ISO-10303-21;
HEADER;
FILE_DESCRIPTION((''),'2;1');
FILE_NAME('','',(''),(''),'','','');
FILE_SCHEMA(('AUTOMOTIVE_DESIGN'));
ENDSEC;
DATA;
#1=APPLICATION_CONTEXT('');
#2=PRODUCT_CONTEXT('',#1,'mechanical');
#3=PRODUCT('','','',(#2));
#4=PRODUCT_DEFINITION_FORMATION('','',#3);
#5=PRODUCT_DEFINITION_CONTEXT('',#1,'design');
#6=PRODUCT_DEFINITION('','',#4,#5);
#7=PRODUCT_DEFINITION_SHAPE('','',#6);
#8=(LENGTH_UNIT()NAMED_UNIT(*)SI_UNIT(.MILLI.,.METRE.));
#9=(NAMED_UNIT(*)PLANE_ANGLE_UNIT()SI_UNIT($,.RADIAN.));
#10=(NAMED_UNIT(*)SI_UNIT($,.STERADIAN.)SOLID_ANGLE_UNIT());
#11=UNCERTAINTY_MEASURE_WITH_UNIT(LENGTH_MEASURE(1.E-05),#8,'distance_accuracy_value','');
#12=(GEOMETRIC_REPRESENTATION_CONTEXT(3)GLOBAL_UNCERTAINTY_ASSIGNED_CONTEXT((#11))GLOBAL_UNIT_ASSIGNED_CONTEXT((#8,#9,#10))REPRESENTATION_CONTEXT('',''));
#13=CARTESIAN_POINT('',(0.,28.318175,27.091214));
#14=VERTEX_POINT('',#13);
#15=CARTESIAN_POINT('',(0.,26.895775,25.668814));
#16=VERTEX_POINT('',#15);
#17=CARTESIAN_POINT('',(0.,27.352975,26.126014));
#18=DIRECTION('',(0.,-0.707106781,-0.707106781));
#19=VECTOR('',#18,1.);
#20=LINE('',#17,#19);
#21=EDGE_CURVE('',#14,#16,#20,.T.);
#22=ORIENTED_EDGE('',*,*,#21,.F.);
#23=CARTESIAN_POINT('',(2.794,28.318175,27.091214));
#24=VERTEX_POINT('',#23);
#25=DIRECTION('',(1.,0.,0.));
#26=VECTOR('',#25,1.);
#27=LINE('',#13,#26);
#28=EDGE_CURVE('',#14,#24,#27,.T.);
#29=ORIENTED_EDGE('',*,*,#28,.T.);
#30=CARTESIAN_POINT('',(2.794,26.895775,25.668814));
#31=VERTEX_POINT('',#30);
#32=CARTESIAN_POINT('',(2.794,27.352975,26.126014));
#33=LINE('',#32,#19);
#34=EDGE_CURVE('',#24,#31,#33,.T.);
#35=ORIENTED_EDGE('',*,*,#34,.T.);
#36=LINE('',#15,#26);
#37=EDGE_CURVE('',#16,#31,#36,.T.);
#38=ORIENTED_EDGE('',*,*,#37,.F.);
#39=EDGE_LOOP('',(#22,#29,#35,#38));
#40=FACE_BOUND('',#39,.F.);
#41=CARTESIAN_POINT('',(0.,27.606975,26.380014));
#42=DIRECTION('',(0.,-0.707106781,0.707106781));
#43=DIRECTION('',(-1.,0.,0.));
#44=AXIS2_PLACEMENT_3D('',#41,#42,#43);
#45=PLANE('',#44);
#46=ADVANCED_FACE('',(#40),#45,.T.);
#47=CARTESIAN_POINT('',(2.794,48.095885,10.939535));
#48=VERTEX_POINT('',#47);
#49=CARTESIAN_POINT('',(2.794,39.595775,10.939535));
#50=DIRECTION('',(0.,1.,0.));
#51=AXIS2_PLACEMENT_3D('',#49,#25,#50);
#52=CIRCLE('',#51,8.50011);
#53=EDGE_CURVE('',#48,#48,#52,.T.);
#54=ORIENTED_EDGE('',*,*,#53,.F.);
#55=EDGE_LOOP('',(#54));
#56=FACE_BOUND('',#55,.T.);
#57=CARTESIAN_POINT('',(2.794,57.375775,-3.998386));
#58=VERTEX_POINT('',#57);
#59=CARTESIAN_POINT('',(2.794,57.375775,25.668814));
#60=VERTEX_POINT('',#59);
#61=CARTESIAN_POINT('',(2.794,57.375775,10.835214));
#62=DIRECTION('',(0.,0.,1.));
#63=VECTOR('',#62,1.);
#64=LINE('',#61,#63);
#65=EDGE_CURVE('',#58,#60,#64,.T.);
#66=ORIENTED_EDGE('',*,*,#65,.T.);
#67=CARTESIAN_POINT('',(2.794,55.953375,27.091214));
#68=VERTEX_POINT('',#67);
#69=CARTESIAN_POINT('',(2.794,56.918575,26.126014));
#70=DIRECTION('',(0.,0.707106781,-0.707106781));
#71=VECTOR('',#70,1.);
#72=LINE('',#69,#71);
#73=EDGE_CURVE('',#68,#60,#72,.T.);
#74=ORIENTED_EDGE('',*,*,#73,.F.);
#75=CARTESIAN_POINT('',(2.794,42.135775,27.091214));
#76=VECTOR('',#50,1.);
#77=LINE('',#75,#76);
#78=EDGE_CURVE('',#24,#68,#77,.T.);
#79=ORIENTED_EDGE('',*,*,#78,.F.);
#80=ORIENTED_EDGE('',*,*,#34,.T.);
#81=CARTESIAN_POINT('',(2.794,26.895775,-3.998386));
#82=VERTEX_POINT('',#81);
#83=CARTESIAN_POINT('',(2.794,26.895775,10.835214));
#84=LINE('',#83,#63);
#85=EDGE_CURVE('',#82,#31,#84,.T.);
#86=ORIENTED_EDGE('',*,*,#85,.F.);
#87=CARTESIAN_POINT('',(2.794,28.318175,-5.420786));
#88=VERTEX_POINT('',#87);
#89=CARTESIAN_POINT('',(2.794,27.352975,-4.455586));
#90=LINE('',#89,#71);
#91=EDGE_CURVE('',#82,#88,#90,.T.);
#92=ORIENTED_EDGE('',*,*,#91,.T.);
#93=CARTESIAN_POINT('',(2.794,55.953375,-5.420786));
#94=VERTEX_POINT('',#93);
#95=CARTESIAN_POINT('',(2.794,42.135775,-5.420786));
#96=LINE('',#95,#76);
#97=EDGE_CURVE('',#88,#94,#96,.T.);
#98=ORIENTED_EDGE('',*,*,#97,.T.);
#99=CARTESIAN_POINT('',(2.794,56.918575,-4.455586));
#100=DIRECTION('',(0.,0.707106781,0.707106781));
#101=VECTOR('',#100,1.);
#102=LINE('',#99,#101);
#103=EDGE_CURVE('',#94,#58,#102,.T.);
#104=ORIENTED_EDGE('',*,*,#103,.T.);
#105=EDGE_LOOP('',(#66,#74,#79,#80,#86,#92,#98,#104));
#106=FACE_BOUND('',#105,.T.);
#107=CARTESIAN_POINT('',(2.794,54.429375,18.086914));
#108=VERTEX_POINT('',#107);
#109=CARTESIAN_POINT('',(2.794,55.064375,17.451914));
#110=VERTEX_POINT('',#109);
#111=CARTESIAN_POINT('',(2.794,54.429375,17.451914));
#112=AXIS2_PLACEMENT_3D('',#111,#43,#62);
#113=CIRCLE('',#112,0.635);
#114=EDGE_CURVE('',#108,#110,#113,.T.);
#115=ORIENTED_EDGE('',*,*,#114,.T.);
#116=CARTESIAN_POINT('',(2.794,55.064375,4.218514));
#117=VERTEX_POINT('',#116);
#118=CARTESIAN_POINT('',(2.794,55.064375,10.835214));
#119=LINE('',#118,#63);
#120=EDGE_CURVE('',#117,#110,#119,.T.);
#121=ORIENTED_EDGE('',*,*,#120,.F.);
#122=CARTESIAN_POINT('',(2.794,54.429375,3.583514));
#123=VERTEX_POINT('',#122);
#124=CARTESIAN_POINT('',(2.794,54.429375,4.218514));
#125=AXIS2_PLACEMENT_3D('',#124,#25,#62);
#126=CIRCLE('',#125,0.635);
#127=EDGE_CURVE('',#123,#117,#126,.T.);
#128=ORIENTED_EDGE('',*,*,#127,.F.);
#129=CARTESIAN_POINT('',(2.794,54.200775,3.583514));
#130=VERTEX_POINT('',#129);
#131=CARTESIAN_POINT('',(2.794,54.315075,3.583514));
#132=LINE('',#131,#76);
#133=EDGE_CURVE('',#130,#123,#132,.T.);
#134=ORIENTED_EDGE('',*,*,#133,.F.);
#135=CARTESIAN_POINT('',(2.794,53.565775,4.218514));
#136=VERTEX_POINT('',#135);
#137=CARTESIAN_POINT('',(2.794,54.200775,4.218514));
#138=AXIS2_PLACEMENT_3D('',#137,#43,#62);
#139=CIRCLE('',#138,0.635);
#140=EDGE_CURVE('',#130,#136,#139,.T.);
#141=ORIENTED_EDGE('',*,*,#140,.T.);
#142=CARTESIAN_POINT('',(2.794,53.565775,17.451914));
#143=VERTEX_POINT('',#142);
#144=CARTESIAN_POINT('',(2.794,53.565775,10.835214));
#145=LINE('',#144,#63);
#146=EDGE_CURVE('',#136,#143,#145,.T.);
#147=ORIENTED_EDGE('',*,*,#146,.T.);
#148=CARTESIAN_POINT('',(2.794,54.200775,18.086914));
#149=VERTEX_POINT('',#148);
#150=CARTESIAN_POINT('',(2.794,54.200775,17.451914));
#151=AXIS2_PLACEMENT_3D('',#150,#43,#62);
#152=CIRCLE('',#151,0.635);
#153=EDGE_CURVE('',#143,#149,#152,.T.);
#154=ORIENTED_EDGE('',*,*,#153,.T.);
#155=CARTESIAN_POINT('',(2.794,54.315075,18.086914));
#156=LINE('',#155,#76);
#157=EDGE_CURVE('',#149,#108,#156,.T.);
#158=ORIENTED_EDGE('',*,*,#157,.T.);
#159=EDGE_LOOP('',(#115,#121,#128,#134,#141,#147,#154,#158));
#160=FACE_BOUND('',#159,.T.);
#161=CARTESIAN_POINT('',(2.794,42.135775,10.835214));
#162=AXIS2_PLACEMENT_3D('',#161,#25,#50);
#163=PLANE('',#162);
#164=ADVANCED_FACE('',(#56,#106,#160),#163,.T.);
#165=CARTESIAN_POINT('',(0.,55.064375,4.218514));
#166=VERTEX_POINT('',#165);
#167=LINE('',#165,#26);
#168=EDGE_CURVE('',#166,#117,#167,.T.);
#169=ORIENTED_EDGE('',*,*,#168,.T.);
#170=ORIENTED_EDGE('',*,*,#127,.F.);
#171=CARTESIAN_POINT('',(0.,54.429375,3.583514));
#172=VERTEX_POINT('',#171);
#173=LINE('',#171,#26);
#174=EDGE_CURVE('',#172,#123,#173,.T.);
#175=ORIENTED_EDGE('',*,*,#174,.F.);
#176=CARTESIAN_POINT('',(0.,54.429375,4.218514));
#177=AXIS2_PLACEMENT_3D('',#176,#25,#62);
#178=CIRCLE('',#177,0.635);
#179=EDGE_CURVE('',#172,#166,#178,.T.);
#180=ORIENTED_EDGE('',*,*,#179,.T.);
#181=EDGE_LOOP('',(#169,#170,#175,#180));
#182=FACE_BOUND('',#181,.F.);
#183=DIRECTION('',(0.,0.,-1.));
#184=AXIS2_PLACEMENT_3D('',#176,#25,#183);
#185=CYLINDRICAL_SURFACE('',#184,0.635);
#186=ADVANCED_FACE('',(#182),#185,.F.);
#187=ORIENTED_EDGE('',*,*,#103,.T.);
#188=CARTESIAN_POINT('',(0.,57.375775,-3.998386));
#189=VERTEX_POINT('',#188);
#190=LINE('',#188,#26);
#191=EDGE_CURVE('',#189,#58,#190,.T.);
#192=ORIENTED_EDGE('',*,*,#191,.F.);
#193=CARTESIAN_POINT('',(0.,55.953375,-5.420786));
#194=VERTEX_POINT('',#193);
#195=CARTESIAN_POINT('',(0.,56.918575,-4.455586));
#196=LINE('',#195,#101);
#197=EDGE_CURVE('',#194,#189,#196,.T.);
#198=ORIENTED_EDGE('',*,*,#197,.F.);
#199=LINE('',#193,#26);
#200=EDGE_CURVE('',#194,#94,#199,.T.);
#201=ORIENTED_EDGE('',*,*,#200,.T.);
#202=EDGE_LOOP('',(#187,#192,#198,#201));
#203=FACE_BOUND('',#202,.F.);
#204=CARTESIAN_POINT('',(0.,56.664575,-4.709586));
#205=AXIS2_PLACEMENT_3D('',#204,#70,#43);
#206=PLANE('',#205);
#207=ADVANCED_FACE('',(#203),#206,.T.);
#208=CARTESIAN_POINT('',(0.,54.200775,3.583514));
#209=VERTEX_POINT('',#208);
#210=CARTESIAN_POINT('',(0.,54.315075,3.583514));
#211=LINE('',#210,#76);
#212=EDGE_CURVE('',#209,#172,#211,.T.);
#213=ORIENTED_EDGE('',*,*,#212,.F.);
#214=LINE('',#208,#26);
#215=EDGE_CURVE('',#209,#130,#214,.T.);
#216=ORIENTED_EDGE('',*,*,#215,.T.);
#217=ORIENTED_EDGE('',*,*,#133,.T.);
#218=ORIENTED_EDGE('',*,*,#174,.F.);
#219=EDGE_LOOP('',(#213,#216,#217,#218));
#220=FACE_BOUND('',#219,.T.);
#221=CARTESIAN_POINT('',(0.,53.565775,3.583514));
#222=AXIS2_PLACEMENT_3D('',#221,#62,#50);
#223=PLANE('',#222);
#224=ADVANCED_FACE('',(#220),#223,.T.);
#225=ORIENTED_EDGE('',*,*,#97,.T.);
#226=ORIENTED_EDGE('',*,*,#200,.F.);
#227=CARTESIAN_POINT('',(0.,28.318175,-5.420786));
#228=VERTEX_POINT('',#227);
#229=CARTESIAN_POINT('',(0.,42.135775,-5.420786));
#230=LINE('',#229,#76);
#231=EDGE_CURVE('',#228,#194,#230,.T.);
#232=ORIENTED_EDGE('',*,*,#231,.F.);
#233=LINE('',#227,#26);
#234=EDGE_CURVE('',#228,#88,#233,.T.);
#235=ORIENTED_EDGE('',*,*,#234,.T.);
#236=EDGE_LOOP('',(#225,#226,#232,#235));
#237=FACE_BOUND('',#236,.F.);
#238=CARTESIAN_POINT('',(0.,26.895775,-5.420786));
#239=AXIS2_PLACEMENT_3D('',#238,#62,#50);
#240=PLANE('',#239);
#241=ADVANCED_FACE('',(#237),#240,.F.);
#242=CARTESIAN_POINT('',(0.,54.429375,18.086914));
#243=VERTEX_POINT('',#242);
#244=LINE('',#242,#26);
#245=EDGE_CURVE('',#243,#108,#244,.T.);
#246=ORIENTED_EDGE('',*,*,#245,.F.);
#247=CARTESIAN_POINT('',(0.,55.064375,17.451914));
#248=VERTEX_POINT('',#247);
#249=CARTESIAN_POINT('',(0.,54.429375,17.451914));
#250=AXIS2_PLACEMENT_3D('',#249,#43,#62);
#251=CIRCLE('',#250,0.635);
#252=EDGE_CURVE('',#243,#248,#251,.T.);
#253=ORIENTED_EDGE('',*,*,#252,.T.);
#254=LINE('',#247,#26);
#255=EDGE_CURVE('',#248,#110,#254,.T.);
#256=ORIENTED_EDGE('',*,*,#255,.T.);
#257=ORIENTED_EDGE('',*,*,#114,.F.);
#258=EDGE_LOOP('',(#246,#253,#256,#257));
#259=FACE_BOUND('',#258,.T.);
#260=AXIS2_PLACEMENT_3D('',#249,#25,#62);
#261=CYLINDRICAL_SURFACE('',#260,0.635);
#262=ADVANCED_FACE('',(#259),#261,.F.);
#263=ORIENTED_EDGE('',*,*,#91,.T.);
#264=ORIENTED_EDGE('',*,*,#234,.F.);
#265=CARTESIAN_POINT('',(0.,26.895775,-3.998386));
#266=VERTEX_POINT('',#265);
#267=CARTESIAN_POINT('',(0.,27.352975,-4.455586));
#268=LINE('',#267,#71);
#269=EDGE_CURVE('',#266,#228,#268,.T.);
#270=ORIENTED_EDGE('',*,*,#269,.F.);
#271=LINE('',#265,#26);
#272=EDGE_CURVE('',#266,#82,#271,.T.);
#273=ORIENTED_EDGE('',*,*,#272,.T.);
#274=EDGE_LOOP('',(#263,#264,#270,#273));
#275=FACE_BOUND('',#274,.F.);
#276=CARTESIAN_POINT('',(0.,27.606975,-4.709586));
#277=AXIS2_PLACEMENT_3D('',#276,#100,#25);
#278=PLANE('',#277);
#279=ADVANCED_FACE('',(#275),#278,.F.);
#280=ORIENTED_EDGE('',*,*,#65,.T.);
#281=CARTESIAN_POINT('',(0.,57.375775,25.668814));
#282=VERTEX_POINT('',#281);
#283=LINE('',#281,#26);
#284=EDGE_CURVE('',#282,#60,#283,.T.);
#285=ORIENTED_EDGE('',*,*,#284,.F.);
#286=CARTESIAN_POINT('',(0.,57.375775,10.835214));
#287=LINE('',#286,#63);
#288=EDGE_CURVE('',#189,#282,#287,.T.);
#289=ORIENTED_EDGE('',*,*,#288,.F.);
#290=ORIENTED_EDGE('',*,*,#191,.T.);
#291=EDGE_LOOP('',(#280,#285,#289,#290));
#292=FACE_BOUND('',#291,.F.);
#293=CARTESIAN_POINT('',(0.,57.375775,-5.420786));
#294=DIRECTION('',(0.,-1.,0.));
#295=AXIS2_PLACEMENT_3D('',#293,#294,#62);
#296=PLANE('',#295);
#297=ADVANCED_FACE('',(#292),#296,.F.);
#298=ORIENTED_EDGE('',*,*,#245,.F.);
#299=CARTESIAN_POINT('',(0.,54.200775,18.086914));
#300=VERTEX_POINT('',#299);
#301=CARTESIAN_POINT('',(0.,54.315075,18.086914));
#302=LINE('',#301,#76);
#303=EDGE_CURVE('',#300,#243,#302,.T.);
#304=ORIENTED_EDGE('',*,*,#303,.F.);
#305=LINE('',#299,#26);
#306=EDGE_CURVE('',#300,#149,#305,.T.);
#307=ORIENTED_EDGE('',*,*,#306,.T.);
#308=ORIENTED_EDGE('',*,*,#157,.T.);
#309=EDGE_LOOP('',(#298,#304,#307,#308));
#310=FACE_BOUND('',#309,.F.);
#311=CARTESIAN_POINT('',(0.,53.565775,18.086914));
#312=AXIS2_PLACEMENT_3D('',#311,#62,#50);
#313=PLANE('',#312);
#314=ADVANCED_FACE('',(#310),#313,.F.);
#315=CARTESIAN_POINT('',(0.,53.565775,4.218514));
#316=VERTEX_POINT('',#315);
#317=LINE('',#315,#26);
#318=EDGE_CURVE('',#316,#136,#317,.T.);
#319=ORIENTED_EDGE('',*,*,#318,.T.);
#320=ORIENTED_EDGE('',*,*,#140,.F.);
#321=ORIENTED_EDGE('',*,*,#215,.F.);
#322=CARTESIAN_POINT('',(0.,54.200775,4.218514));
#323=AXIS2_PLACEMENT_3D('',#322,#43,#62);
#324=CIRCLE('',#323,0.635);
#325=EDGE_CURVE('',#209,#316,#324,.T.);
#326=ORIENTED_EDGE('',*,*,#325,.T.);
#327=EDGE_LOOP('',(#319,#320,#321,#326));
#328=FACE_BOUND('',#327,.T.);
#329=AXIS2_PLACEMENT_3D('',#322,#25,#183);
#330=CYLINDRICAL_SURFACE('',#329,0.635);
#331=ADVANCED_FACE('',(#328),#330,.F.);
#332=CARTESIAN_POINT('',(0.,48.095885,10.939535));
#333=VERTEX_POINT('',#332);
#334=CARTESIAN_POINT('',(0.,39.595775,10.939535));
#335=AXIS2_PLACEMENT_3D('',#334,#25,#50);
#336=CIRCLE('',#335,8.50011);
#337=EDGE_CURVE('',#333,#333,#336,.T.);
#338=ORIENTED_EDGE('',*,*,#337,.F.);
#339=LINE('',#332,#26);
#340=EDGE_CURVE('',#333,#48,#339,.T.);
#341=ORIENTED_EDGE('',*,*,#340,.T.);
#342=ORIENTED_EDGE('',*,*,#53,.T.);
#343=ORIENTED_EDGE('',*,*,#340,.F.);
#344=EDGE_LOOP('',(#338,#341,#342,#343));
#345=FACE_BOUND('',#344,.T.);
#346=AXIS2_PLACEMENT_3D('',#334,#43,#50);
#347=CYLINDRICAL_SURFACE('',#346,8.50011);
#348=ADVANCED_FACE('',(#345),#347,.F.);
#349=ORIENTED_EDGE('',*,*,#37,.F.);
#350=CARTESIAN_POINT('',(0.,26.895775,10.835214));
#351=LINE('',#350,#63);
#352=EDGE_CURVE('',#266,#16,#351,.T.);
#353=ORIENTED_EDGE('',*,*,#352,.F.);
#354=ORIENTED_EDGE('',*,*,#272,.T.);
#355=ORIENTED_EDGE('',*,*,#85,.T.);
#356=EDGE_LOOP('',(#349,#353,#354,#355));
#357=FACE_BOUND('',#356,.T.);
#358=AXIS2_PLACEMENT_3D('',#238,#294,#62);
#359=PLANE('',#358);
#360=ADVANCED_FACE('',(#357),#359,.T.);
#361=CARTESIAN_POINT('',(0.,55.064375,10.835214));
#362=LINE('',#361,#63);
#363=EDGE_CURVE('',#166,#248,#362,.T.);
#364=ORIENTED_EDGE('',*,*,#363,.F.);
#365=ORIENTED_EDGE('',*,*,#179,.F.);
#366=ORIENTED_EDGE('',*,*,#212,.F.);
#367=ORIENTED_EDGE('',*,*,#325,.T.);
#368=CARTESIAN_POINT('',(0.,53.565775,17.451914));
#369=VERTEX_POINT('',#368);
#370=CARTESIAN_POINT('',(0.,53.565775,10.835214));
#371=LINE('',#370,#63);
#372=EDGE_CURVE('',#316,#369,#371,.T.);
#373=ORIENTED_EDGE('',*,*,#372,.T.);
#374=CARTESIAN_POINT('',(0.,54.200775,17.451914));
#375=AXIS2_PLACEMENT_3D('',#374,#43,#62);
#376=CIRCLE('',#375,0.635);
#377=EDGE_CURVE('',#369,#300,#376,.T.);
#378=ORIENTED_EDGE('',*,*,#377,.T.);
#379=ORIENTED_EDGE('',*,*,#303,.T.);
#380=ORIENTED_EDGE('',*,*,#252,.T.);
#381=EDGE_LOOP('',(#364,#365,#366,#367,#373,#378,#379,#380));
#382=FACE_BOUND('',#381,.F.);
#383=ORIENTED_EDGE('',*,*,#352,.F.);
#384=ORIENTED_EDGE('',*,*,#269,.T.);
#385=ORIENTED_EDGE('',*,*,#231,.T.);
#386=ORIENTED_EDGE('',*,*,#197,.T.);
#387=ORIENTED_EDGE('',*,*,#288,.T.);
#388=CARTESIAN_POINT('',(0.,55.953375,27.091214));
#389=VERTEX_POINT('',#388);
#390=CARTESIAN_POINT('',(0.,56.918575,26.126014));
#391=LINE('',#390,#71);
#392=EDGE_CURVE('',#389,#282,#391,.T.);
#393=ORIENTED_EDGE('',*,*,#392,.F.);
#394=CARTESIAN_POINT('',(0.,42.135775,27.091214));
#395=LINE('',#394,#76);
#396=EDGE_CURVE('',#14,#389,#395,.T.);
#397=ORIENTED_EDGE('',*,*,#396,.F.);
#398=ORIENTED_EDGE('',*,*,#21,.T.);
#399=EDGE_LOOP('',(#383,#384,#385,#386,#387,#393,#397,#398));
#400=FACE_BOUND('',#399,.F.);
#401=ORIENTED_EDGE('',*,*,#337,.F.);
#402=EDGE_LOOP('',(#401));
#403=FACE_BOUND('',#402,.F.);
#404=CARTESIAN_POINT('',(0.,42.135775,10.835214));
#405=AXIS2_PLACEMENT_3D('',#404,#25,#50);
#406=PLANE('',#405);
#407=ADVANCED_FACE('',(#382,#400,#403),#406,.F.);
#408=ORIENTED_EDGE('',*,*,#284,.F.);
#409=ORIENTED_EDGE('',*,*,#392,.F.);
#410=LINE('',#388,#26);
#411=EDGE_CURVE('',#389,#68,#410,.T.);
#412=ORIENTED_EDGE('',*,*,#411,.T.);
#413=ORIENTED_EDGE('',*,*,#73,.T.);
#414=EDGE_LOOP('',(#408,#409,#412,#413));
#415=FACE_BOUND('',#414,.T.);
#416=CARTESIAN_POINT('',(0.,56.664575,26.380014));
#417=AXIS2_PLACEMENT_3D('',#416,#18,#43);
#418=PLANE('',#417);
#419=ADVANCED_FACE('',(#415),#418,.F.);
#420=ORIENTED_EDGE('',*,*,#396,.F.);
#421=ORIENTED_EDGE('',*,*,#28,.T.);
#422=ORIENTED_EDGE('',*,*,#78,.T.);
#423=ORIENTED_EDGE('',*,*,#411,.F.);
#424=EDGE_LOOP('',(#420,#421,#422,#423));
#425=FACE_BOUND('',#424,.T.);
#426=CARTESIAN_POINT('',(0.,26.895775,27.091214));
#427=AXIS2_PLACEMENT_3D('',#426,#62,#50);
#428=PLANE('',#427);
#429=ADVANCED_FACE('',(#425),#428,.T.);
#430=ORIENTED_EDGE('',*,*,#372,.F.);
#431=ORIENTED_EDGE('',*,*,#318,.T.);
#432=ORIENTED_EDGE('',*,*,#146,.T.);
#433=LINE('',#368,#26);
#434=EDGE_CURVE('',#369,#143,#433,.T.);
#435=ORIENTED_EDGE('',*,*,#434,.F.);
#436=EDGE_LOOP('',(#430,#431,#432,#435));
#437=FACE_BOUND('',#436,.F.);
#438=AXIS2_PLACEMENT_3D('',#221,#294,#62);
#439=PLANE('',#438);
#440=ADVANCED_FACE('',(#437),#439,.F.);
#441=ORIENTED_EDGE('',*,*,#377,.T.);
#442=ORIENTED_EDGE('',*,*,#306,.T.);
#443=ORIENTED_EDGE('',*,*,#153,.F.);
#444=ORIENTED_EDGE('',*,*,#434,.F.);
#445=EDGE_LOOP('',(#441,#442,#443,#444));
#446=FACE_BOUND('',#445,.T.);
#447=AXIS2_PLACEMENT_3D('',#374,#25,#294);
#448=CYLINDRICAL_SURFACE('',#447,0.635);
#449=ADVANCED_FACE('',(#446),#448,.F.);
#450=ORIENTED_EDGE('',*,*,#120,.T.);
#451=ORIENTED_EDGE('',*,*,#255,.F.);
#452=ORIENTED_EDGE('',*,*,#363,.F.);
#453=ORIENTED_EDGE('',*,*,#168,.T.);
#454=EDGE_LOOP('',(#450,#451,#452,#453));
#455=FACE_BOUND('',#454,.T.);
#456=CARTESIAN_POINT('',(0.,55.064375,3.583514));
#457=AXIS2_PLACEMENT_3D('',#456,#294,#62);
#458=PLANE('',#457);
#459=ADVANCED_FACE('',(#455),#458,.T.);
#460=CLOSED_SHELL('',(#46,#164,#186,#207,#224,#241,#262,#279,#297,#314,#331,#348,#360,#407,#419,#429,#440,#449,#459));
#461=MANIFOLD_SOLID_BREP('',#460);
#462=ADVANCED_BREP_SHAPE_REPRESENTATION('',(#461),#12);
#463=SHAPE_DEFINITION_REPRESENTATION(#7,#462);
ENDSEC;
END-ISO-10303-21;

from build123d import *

# Parameters (mm, degrees)
F0_W     = 30.48
F0_H     = 32.512
F0_R     = 8.50011
F0_W_2   = 1.4986
F0_H_2   = 14.5034
F1_DEPTH = 2.794
F2_SIZE  = 1.4224
F3_SIZE  = 1.4224
F4_SIZE  = 1.4224
F5_SIZE  = 1.4224
F6_R     = 0.635
F7_R     = 0.635
F8_R     = 0.635
F9_R     = 0.635


with BuildPart() as f1:
    # F0 (on Right) → F1 (new body)
    with BuildSketch(Plane.YZ):
        with Locations((42.135775, 10.835214)):
            Rectangle(F0_W, F0_H)
        with Locations((39.595775, 10.939535)):
            Circle(F0_R, mode=Mode.SUBTRACT)
        with Locations((54.315075, 10.835214)):
            Rectangle(F0_W_2, F0_H_2, mode=Mode.SUBTRACT)
    extrude(amount=F1_DEPTH)

    # F2
    f2_edges = [f1.edges().sort_by_distance(p)[0] for p in [
        (1.397, 57.375775, 27.091214),
    ]]
    chamfer(f2_edges, length=F2_SIZE)

    # F3
    f3_edges = [f1.edges().sort_by_distance(p)[0] for p in [
        (1.397, 26.895775, 27.091214),
    ]]
    chamfer(f3_edges, length=F3_SIZE)

    # F4
    f4_edges = [f1.edges().sort_by_distance(p)[0] for p in [
        (1.397, 26.895775, -5.420786),
    ]]
    chamfer(f4_edges, length=F4_SIZE)

    # F5
    f5_edges = [f1.edges().sort_by_distance(p)[0] for p in [
        (1.397, 57.375775, -5.420786),
    ]]
    chamfer(f5_edges, length=F5_SIZE)

    # F6
    f6_edges = [f1.edges().sort_by_distance(p)[0] for p in [
        (1.397, 53.565775, 3.583514),
    ]]
    fillet(f6_edges, radius=F6_R)

    # F7
    f7_edges = [f1.edges().sort_by_distance(p)[0] for p in [
        (1.397, 55.064375, 3.583514),
    ]]
    fillet(f7_edges, radius=F7_R)

    # F8
    f8_edges = [f1.edges().sort_by_distance(p)[0] for p in [
        (1.397, 53.565775, 18.086914),
    ]]
    fillet(f8_edges, radius=F8_R)

    # F9
    f9_edges = [f1.edges().sort_by_distance(p)[0] for p in [
        (1.397, 55.064375, 18.086914),
    ]]
    fillet(f9_edges, radius=F9_R)


solid = f1.part
